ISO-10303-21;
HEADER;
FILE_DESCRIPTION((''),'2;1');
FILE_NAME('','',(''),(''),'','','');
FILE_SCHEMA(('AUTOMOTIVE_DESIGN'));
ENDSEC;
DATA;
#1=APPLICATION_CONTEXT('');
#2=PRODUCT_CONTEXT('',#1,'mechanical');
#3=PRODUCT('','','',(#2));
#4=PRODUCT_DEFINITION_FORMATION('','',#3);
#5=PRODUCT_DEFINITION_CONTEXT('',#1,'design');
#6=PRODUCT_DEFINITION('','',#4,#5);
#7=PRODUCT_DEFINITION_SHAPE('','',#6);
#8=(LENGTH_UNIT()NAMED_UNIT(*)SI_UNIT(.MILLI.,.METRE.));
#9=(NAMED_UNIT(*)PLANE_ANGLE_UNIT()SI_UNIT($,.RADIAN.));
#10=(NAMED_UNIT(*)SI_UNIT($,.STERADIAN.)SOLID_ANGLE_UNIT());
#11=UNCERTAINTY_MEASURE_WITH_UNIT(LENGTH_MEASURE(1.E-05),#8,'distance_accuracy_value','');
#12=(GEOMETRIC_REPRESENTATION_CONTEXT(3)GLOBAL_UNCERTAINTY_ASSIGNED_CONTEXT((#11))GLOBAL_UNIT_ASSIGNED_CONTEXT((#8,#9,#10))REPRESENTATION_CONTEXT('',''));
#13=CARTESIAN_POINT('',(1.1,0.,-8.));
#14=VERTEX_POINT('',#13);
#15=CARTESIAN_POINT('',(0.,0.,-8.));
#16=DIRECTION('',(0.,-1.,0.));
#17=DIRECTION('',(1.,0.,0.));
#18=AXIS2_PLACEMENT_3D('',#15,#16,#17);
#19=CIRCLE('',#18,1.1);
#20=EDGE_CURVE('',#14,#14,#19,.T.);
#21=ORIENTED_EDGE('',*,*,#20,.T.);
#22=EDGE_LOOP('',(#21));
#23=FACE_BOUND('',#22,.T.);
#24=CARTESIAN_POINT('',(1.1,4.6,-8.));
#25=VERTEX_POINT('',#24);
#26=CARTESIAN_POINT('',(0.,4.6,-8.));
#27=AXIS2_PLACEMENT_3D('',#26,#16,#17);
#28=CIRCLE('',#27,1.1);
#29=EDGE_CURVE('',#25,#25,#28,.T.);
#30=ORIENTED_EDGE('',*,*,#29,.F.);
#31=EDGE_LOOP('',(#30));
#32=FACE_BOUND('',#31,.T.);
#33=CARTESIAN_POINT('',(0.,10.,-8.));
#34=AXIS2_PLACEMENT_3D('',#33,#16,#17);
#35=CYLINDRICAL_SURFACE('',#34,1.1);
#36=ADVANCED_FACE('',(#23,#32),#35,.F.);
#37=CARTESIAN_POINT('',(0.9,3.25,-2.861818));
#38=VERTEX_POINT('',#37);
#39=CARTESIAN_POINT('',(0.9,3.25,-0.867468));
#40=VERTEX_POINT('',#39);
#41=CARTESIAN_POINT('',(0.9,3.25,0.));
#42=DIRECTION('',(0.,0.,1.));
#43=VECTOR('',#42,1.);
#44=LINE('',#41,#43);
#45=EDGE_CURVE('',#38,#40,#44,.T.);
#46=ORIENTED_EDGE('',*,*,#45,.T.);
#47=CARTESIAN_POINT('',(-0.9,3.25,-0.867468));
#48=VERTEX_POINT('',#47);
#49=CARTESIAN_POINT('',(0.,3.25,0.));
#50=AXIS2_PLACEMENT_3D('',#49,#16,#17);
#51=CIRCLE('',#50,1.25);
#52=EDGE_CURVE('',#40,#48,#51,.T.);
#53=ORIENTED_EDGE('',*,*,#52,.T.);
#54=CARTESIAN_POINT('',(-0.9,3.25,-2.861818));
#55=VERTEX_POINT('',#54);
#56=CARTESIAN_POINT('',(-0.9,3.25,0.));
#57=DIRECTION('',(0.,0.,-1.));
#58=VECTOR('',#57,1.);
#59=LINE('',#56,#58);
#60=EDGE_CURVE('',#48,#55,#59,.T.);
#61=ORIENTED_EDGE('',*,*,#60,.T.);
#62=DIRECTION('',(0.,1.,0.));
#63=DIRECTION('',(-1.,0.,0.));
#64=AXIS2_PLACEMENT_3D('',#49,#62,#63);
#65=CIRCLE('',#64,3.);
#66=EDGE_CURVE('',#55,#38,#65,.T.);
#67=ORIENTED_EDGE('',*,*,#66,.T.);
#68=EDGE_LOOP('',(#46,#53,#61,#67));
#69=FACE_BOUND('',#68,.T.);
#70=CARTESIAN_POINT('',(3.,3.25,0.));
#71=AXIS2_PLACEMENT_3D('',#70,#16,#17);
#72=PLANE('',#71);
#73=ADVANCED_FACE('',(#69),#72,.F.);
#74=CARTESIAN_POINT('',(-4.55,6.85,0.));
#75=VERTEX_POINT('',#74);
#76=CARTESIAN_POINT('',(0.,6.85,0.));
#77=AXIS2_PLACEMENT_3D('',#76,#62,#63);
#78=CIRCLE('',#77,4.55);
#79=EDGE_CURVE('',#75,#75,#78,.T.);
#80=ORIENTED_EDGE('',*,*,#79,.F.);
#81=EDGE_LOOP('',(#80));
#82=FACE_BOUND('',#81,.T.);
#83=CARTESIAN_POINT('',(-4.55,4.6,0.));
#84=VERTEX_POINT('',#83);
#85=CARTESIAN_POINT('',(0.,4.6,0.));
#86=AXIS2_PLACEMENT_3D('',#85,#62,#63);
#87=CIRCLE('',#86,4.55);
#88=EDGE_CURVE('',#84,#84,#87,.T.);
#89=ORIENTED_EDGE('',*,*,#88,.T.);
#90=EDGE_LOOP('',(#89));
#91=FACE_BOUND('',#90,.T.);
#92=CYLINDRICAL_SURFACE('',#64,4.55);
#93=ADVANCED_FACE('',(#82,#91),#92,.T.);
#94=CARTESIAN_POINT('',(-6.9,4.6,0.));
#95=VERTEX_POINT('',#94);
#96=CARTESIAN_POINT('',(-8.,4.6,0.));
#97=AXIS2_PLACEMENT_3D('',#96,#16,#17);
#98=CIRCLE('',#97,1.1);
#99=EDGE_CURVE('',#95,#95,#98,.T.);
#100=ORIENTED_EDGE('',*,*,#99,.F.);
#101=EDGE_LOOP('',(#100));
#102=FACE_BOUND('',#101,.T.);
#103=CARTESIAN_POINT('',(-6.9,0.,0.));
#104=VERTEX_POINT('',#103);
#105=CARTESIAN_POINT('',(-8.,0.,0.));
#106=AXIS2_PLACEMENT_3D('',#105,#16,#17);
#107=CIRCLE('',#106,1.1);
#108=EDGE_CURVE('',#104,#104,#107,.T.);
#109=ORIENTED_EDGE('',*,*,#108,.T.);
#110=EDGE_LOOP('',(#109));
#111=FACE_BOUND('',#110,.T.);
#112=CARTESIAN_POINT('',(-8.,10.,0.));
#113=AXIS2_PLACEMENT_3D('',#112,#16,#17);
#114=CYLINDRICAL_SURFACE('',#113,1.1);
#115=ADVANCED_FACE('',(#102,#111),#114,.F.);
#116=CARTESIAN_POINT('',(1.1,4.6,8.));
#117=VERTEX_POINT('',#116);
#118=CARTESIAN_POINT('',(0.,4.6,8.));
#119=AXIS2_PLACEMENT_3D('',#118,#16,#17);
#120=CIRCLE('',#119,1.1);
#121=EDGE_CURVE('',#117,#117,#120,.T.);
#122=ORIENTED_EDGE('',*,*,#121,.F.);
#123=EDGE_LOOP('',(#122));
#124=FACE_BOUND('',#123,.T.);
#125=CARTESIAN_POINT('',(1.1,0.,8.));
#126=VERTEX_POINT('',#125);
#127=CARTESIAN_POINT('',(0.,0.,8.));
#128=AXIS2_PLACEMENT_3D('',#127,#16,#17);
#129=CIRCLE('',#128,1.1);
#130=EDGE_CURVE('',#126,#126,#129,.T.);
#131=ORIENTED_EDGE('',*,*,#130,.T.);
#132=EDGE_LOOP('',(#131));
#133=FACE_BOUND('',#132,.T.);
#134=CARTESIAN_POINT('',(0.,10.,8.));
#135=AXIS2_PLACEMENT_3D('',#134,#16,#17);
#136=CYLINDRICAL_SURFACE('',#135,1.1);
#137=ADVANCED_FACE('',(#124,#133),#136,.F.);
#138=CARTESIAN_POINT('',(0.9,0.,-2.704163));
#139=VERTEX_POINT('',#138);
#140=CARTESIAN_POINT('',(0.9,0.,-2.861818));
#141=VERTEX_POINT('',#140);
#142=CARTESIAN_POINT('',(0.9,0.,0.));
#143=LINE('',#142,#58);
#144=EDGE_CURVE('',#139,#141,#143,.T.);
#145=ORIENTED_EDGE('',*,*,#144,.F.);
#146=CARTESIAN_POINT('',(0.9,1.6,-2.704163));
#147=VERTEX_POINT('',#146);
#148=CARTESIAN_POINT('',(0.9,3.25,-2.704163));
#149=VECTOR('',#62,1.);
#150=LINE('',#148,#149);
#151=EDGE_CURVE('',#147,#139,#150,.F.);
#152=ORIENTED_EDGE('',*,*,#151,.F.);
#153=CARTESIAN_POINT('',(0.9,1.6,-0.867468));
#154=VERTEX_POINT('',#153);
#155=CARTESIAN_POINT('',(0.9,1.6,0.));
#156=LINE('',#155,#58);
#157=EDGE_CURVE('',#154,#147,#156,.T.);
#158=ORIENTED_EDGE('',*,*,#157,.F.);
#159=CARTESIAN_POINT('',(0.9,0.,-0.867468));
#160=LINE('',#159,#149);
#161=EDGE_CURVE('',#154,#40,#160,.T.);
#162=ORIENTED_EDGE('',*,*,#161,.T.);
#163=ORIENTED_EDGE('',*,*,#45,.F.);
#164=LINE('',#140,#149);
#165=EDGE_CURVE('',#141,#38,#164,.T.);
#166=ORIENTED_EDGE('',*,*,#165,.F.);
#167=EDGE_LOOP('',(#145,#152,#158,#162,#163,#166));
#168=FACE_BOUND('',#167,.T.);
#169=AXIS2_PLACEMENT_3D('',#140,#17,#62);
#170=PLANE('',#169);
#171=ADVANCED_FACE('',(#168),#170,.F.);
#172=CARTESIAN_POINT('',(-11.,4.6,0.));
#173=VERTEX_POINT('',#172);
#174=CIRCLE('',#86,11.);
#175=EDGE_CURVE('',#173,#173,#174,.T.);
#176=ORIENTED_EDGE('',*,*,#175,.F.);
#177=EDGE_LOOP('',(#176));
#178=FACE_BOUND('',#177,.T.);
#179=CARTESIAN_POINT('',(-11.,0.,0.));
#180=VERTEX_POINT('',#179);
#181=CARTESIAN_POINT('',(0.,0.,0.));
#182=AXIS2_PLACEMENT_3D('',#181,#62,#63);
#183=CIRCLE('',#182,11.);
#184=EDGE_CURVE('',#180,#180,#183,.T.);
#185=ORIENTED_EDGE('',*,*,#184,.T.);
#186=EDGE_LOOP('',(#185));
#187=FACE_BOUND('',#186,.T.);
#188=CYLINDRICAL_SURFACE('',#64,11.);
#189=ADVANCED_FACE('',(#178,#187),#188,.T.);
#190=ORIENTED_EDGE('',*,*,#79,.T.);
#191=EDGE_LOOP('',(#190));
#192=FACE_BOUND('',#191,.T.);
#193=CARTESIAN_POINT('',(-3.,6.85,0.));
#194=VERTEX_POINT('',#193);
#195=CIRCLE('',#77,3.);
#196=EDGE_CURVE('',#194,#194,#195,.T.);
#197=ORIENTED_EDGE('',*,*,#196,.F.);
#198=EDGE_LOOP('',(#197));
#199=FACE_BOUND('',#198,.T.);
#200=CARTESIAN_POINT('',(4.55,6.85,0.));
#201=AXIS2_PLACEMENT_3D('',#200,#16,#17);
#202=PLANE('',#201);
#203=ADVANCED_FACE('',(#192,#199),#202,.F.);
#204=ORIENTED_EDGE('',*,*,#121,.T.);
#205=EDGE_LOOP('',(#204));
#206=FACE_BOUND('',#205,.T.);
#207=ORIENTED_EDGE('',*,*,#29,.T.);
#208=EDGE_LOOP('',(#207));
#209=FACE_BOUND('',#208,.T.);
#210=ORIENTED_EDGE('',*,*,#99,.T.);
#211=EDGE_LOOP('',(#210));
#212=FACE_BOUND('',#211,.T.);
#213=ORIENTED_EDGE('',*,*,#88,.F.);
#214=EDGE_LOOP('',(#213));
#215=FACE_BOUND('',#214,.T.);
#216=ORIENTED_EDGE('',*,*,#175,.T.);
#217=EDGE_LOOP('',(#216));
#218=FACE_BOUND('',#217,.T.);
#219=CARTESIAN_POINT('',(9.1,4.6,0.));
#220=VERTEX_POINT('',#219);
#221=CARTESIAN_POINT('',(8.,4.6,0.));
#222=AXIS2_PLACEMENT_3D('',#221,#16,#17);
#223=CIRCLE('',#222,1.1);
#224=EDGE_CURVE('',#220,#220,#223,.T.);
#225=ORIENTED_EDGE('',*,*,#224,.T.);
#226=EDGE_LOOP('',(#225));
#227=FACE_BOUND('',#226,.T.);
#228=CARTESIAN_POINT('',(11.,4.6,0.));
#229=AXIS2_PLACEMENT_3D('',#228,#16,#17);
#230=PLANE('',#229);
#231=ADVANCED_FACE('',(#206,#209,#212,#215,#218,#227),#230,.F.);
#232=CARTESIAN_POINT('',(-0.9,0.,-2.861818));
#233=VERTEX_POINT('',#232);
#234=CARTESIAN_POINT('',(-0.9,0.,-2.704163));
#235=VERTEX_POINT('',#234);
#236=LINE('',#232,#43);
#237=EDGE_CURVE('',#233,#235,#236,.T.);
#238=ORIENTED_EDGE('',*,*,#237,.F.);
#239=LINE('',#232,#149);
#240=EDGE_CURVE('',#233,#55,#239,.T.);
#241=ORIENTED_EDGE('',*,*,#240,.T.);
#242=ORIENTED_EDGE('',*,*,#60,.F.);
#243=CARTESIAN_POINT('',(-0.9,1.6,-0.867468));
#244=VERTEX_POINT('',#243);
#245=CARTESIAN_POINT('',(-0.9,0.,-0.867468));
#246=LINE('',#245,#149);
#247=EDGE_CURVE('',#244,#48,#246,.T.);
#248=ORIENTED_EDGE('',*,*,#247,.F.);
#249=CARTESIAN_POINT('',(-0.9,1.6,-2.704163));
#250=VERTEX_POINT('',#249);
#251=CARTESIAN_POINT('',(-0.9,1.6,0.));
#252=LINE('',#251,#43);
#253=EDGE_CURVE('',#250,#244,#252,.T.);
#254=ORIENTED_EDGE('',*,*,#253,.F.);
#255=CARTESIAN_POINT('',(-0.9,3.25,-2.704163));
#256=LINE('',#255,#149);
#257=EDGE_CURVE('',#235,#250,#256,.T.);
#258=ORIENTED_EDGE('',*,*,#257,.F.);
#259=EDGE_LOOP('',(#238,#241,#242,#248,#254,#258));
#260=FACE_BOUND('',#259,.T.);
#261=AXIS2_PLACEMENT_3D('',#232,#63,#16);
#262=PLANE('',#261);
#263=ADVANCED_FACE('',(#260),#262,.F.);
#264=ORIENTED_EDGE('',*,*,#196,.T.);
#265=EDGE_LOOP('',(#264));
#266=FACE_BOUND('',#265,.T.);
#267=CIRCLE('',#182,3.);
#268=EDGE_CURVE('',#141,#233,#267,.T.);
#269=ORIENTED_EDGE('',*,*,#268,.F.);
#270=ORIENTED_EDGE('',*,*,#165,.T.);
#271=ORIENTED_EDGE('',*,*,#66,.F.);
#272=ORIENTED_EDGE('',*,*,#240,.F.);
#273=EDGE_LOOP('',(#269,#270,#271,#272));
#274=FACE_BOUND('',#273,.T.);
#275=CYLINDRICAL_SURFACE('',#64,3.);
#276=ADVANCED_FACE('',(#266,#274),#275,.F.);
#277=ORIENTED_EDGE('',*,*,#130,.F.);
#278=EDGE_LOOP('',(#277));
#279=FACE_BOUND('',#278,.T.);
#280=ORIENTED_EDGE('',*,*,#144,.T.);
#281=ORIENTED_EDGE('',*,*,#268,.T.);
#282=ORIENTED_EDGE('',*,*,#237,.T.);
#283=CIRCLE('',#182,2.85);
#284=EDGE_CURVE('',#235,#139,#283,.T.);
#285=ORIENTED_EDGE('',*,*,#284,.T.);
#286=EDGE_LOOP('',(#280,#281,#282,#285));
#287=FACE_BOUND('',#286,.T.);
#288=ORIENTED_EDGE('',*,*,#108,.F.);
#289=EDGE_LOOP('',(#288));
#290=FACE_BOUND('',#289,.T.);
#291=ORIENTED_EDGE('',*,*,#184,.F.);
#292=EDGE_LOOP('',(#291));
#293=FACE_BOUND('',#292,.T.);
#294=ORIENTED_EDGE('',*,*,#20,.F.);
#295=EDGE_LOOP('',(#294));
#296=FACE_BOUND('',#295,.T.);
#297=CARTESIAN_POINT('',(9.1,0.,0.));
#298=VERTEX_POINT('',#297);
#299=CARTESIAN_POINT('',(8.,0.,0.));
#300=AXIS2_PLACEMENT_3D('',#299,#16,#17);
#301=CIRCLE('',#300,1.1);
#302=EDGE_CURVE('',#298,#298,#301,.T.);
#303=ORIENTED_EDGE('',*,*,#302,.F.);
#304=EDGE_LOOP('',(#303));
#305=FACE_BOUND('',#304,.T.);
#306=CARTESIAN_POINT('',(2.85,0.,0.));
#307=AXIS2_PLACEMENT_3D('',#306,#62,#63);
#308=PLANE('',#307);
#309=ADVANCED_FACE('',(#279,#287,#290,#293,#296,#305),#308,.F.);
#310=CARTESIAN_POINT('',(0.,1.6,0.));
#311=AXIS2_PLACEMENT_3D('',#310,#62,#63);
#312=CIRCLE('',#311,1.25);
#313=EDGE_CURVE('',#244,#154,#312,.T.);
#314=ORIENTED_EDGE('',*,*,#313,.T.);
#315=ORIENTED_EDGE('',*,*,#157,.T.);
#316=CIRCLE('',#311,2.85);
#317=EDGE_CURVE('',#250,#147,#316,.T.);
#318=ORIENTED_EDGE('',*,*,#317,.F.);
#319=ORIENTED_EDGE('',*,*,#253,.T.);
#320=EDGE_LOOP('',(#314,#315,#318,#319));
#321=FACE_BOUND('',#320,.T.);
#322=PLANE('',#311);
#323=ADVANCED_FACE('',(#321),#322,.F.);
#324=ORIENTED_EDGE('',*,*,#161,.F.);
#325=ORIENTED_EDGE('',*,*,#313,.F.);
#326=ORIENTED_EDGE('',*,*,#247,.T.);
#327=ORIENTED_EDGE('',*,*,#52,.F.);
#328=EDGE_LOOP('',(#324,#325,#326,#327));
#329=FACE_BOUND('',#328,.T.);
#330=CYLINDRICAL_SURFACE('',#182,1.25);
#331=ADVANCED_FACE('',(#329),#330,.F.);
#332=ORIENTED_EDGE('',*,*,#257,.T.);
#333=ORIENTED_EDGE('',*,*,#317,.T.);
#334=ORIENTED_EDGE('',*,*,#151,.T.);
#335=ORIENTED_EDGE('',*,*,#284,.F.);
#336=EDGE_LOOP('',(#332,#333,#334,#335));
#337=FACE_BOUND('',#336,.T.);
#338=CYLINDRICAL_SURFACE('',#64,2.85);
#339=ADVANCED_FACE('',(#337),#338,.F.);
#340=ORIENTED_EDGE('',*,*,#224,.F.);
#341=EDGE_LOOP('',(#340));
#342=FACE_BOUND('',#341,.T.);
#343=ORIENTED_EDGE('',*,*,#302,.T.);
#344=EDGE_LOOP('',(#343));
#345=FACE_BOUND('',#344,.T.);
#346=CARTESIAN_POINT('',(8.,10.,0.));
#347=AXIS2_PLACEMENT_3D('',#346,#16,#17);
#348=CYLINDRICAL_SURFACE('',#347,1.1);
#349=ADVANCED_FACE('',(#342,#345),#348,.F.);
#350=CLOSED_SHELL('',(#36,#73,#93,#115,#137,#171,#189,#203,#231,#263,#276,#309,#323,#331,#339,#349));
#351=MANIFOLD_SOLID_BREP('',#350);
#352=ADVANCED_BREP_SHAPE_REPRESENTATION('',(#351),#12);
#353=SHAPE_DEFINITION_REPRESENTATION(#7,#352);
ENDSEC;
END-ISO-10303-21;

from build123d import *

# Parameters (mm, degrees)
CUT_EXTRUDE1_DEPTH      = 16.967466925
CUT_EXTRUDE1_DEPTH_BACK = 16.967466925
SKETCH5_R               = 1.1
CUT_EXTRUDE2_DEPTH      = 10


with BuildPart() as part:
    # Sketch3 → Revolve1 (revolve)
    with BuildSketch(Plane.XY, mode=Mode.PRIVATE) as revolve1_sk:
        Polygon((2.85, 0), (11, 0), (11, 4.6), (4.55, 4.6), (4.55, 6.85), (3, 6.85), (3, 3.25), (0, 3.25), (0, 1.6), (2.85, 1.6), align=None)
    revolve(revolve1_sk.sketch.rotate(Axis((0, 3.25, 0), (0, -1, 0)), 180), axis=Axis((0, 3.25, 0), (0, -1, 0)))

    # Sketch4 → Cut-Extrude1 (cut, two sides: drawn at the far end of the back side and taken through both)
    with BuildSketch(Plane(origin=(0, 3.25, 0), x_dir=(1, 0, 0), z_dir=(0, 1, 0)).offset(-CUT_EXTRUDE1_DEPTH_BACK)):
        with BuildLine():
            Line((-0.9, 2.861817604), (-0.9, 0.867467579))
            ThreePointArc((-0.9, 0.867467579), (0, -1.25), (0.9, 0.867467579))
            Line((0.9, 0.867467579), (0.9, 2.861817604))
            ThreePointArc((0.9, 2.861817604), (0, 3), (-0.9, 2.861817604))
        make_face()
    extrude(amount=CUT_EXTRUDE1_DEPTH + CUT_EXTRUDE1_DEPTH_BACK, mode=Mode.SUBTRACT)

    # Sketch5 → Cut-Extrude2 (cut)
    with BuildSketch(Plane.XZ):
        with Locations((0, 8)):
            Circle(SKETCH5_R)
        with Locations((8, 0)):
            Circle(SKETCH5_R)
        with Locations((0, -8)):
            Circle(SKETCH5_R)
        with Locations((-8, 0)):
            Circle(SKETCH5_R)
    extrude(amount=-CUT_EXTRUDE2_DEPTH, mode=Mode.SUBTRACT)


solid = part.part
